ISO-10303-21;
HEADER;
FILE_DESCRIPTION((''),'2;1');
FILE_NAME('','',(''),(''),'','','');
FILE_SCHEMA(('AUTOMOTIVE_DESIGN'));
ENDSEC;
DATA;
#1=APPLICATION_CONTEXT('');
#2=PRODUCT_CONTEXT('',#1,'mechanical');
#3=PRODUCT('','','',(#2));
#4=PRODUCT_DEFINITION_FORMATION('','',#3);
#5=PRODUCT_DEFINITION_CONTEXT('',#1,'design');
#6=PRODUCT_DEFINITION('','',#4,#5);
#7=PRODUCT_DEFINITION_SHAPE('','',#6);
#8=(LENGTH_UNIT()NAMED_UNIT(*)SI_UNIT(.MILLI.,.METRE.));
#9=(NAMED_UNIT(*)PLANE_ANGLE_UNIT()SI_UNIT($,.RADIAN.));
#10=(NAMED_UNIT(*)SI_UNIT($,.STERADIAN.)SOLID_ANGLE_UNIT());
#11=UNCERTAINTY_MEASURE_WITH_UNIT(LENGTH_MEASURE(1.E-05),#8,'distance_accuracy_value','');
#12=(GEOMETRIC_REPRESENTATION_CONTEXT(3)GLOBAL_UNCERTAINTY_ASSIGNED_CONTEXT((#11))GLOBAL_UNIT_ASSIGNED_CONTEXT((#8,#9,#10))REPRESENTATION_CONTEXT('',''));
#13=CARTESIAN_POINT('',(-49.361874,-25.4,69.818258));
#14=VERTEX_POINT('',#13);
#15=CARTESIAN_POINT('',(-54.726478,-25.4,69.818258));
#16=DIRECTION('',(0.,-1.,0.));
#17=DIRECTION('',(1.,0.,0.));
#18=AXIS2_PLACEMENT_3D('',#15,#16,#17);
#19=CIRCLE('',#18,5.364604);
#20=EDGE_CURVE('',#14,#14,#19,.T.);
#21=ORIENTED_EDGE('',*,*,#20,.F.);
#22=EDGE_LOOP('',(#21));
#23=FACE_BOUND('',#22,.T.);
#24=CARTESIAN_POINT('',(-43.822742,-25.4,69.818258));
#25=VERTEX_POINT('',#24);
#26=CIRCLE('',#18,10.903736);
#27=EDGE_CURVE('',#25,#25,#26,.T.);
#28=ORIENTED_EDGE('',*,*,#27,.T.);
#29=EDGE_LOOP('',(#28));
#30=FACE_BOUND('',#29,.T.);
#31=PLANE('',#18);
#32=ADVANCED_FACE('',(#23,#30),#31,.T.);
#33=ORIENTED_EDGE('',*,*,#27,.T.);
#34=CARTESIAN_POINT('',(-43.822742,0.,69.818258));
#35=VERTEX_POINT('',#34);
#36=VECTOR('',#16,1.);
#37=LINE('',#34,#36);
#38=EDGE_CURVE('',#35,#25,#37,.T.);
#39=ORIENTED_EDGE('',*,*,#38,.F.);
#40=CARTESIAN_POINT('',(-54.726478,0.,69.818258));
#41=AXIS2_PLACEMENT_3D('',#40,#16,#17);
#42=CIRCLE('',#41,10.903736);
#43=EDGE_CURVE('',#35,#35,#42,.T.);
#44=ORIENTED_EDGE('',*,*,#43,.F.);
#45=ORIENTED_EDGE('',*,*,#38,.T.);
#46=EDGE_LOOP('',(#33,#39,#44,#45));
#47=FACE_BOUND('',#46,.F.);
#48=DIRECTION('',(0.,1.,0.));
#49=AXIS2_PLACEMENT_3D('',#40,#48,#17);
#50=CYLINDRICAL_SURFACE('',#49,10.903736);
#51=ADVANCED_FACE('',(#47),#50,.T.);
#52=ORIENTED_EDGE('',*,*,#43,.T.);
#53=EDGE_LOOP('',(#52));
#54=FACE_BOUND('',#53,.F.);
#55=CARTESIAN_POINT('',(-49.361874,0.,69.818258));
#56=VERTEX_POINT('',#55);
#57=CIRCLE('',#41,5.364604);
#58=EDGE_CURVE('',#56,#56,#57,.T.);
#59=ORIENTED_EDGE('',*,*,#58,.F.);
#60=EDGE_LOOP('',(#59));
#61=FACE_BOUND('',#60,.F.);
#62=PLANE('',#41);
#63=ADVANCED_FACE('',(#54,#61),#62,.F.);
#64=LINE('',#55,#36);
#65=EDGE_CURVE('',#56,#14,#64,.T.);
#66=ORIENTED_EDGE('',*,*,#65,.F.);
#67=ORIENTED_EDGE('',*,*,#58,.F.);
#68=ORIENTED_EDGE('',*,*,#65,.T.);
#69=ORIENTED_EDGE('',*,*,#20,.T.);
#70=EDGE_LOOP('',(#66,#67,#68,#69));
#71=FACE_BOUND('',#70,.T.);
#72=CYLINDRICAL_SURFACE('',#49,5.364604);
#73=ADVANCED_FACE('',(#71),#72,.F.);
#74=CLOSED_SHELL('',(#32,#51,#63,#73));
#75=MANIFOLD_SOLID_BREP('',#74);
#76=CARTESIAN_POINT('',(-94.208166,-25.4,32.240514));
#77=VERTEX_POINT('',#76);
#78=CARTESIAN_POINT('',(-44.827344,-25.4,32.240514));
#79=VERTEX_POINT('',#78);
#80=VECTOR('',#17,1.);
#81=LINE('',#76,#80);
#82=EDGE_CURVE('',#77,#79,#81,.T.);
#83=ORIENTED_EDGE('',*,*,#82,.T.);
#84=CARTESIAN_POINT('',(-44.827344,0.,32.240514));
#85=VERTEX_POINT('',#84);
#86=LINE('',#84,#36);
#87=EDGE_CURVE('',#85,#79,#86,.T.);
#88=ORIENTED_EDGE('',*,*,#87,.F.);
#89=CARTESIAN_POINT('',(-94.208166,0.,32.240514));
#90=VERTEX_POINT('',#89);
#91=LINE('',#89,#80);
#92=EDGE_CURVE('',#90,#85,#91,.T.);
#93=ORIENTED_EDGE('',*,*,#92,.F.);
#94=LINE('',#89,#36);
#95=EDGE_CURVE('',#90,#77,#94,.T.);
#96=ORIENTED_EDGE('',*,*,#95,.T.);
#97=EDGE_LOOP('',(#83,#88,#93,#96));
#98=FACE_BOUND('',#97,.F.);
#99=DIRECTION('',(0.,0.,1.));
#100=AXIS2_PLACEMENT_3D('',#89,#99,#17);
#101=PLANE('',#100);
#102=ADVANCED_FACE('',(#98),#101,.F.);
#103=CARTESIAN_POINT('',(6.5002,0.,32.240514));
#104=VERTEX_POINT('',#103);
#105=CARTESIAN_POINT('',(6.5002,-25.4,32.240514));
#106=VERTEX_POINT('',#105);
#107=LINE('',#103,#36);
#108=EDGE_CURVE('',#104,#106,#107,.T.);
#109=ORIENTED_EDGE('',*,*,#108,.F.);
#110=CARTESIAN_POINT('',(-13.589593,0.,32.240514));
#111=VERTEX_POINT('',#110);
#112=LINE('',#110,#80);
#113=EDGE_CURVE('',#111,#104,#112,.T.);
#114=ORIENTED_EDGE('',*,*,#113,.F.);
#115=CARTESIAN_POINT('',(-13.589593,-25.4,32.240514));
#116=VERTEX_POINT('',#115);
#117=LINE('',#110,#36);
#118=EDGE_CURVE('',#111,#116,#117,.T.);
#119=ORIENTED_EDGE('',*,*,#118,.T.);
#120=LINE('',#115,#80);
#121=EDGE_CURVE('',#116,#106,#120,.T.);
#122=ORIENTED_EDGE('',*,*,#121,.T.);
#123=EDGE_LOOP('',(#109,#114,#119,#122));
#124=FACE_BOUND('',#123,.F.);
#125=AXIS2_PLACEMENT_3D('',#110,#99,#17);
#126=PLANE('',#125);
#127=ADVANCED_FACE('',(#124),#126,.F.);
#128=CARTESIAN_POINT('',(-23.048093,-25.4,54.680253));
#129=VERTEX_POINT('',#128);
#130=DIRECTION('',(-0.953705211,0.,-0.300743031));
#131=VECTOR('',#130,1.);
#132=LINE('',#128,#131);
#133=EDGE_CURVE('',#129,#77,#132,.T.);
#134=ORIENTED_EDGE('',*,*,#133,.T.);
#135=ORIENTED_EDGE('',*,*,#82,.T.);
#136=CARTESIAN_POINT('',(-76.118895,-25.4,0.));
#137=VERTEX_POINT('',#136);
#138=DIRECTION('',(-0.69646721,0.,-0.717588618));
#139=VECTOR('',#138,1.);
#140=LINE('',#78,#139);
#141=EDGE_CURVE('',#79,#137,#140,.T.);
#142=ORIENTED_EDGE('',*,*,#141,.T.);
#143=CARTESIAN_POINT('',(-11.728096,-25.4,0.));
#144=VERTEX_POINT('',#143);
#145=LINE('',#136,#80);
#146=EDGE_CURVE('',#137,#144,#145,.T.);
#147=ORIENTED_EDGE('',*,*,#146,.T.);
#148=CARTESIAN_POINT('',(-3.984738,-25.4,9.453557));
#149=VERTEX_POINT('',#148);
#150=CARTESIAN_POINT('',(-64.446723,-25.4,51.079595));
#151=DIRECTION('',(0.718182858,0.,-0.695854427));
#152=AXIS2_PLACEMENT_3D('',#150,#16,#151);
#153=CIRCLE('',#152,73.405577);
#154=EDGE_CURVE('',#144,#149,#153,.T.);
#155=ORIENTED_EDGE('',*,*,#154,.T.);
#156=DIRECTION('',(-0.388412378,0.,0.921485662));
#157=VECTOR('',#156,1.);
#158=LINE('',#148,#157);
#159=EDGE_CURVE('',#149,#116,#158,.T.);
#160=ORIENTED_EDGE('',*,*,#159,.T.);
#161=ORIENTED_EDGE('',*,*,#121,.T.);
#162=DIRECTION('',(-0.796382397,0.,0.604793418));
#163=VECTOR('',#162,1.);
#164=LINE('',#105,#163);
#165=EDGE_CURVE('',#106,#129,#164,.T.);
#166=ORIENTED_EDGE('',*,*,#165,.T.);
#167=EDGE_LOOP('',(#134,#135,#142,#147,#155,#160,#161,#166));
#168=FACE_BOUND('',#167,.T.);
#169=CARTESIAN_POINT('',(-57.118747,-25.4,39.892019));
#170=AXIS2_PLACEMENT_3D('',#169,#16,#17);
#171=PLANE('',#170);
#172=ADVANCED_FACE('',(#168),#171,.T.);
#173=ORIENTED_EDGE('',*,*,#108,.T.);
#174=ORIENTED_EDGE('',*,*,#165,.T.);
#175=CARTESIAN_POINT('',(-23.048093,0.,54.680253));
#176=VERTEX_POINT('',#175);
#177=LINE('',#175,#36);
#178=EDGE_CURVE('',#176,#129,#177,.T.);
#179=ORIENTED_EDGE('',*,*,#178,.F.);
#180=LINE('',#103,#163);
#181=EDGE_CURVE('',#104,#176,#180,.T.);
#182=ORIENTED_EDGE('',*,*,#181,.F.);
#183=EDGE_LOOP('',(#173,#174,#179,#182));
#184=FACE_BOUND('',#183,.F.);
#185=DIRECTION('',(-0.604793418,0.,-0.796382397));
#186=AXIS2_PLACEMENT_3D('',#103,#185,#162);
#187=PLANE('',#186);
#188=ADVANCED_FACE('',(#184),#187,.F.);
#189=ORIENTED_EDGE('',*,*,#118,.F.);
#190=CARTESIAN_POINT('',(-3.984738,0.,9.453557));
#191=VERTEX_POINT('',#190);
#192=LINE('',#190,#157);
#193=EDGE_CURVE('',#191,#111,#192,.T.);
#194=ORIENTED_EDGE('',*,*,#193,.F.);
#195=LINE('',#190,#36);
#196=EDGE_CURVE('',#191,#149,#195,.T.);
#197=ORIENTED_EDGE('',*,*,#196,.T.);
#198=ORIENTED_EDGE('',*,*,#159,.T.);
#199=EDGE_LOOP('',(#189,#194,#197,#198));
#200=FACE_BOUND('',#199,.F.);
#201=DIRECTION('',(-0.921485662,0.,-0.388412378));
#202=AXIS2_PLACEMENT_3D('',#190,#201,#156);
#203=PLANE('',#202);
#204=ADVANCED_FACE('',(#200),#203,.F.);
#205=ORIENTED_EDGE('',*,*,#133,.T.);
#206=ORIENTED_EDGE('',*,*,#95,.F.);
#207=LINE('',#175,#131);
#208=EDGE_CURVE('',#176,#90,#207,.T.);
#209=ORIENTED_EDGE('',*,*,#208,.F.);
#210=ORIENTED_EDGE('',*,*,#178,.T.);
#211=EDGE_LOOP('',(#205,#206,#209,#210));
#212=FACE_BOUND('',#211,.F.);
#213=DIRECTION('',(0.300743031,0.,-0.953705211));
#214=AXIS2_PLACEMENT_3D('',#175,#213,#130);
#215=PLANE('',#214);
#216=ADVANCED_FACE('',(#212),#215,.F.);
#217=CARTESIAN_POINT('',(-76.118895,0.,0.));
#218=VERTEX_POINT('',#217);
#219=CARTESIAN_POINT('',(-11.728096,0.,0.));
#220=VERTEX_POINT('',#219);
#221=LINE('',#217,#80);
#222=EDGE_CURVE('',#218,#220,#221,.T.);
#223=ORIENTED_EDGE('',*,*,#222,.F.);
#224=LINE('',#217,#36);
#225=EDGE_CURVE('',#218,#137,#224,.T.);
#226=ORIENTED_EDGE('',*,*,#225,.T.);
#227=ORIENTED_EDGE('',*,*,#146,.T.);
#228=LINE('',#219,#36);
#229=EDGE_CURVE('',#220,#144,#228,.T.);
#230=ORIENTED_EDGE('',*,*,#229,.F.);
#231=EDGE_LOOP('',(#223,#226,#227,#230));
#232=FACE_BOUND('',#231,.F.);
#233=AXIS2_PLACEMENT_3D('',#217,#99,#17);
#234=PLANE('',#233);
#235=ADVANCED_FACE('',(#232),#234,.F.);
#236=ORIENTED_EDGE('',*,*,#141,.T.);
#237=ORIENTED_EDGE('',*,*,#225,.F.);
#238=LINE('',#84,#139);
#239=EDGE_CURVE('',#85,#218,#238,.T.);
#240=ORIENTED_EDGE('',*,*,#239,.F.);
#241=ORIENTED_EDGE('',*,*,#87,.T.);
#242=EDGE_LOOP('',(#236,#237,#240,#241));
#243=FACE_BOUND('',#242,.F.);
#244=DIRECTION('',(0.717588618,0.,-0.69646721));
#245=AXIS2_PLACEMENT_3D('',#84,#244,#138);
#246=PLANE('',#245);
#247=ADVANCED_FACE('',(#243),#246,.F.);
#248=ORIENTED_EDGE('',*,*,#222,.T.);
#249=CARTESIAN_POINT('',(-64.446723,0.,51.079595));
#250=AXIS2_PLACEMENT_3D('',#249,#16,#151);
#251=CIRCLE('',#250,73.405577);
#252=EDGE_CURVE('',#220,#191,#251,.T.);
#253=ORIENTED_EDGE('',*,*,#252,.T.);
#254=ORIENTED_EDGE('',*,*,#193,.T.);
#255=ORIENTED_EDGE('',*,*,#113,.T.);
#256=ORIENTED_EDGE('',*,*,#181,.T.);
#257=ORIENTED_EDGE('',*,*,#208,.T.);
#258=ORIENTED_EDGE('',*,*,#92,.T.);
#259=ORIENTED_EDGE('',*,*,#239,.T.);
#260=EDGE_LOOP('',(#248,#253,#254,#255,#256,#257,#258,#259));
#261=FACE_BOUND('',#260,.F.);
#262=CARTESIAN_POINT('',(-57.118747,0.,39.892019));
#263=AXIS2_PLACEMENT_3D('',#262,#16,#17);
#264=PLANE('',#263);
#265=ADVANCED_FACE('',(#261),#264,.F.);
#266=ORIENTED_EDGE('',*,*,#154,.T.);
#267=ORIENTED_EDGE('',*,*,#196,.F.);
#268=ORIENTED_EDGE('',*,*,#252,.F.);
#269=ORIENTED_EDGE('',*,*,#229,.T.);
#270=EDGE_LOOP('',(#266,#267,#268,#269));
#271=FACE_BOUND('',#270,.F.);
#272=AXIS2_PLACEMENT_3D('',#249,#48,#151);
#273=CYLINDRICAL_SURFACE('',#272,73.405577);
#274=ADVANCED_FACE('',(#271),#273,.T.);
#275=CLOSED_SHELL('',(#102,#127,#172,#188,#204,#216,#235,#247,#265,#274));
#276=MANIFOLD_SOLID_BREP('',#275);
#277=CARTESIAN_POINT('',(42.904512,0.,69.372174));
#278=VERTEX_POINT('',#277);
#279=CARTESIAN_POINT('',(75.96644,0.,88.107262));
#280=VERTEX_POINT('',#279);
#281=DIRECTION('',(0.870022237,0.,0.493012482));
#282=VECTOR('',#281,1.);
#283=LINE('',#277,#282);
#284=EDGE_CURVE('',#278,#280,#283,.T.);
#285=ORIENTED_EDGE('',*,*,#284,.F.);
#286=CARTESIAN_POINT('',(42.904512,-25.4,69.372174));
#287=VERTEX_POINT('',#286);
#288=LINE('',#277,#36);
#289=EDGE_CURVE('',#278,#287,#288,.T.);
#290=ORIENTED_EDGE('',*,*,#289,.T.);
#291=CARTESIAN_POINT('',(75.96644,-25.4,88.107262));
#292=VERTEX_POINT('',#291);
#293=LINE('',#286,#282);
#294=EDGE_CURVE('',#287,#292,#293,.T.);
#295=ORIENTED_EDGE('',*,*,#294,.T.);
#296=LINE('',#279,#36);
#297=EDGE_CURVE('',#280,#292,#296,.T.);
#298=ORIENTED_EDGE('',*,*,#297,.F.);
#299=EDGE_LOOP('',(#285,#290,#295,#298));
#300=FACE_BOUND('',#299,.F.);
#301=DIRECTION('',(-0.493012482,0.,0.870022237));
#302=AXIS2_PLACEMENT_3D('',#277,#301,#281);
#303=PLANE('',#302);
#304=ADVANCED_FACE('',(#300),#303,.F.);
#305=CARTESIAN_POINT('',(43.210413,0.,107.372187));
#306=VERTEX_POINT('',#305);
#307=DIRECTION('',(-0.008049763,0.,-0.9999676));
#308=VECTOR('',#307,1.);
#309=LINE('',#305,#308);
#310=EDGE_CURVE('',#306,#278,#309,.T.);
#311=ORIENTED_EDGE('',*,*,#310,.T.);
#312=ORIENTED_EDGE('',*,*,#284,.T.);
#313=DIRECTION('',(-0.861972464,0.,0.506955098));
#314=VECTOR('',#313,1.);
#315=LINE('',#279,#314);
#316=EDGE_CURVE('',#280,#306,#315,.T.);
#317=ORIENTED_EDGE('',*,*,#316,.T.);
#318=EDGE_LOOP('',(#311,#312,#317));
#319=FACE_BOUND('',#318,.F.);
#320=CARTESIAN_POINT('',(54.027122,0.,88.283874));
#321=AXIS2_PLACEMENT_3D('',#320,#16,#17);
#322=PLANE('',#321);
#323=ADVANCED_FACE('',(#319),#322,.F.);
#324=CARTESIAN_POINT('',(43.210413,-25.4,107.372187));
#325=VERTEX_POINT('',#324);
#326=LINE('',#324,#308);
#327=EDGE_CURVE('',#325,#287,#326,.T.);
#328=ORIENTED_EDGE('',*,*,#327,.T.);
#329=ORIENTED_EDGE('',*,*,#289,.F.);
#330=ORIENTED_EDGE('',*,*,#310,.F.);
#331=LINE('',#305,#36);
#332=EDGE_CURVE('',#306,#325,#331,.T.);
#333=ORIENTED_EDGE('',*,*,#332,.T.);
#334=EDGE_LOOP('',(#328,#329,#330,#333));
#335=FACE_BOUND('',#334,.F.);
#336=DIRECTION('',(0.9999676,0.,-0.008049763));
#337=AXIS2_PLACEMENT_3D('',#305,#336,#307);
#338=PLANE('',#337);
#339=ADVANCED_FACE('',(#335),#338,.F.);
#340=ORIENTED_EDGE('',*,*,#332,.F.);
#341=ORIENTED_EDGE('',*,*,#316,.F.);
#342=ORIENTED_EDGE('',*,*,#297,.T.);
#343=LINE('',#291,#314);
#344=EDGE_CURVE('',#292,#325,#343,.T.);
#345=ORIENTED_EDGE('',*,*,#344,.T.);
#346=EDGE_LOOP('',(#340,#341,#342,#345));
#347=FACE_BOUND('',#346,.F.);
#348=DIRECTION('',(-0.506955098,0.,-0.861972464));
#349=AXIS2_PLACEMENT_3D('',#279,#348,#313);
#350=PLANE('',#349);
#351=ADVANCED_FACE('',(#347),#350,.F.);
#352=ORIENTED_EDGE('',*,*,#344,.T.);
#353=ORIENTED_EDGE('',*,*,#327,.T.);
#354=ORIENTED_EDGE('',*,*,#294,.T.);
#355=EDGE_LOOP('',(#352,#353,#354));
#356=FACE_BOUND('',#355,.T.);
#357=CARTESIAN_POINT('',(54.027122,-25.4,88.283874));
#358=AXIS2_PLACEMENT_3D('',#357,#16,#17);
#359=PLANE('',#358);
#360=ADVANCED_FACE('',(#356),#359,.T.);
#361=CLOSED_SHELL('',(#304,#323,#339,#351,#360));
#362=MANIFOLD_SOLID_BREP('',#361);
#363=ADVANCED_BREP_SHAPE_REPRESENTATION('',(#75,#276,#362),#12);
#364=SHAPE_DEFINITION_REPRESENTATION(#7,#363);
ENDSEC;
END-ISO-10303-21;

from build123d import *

# Parameters (mm, degrees)
F0_R     = 10.903736
F0_R_2   = 5.364604
F1_DEPTH = 25.4


with BuildPart() as f1:
    # F0 (on Front) → F1 (new body)
    with BuildSketch(Plane.XZ):
        Polygon((-44.827344, 32.240514), (-23.048093, 54.680253), (-94.208166, 32.240514), align=None)
        with BuildLine():
            Line((-13.589593, 32.240514), (-44.827344, 32.240514))
            Line((-44.827344, 32.240514), (-76.118895, 0))
            Line((-76.118895, 0), (-11.728096, 0))
            ThreePointArc((-11.728096, 0), (-7.659355, 4.565366), (-3.984738, 9.453557))
            Line((-3.984738, 9.453557), (-13.589593, 32.240514))
        make_face()
        Polygon((6.5002, 32.240514), (-23.048093, 54.680253), (-44.827344, 32.240514), (-13.589593, 32.240514), align=None)
        with Locations((-54.726478, 69.818258)):
            Circle(F0_R)
        with Locations((-54.726478, 69.818258)):
            Circle(F0_R_2, mode=Mode.SUBTRACT)
        Polygon((42.904512, 69.372174), (75.96644, 88.107262), (43.210413, 107.372187), align=None)
    extrude(amount=F1_DEPTH)


solid = f1.part
